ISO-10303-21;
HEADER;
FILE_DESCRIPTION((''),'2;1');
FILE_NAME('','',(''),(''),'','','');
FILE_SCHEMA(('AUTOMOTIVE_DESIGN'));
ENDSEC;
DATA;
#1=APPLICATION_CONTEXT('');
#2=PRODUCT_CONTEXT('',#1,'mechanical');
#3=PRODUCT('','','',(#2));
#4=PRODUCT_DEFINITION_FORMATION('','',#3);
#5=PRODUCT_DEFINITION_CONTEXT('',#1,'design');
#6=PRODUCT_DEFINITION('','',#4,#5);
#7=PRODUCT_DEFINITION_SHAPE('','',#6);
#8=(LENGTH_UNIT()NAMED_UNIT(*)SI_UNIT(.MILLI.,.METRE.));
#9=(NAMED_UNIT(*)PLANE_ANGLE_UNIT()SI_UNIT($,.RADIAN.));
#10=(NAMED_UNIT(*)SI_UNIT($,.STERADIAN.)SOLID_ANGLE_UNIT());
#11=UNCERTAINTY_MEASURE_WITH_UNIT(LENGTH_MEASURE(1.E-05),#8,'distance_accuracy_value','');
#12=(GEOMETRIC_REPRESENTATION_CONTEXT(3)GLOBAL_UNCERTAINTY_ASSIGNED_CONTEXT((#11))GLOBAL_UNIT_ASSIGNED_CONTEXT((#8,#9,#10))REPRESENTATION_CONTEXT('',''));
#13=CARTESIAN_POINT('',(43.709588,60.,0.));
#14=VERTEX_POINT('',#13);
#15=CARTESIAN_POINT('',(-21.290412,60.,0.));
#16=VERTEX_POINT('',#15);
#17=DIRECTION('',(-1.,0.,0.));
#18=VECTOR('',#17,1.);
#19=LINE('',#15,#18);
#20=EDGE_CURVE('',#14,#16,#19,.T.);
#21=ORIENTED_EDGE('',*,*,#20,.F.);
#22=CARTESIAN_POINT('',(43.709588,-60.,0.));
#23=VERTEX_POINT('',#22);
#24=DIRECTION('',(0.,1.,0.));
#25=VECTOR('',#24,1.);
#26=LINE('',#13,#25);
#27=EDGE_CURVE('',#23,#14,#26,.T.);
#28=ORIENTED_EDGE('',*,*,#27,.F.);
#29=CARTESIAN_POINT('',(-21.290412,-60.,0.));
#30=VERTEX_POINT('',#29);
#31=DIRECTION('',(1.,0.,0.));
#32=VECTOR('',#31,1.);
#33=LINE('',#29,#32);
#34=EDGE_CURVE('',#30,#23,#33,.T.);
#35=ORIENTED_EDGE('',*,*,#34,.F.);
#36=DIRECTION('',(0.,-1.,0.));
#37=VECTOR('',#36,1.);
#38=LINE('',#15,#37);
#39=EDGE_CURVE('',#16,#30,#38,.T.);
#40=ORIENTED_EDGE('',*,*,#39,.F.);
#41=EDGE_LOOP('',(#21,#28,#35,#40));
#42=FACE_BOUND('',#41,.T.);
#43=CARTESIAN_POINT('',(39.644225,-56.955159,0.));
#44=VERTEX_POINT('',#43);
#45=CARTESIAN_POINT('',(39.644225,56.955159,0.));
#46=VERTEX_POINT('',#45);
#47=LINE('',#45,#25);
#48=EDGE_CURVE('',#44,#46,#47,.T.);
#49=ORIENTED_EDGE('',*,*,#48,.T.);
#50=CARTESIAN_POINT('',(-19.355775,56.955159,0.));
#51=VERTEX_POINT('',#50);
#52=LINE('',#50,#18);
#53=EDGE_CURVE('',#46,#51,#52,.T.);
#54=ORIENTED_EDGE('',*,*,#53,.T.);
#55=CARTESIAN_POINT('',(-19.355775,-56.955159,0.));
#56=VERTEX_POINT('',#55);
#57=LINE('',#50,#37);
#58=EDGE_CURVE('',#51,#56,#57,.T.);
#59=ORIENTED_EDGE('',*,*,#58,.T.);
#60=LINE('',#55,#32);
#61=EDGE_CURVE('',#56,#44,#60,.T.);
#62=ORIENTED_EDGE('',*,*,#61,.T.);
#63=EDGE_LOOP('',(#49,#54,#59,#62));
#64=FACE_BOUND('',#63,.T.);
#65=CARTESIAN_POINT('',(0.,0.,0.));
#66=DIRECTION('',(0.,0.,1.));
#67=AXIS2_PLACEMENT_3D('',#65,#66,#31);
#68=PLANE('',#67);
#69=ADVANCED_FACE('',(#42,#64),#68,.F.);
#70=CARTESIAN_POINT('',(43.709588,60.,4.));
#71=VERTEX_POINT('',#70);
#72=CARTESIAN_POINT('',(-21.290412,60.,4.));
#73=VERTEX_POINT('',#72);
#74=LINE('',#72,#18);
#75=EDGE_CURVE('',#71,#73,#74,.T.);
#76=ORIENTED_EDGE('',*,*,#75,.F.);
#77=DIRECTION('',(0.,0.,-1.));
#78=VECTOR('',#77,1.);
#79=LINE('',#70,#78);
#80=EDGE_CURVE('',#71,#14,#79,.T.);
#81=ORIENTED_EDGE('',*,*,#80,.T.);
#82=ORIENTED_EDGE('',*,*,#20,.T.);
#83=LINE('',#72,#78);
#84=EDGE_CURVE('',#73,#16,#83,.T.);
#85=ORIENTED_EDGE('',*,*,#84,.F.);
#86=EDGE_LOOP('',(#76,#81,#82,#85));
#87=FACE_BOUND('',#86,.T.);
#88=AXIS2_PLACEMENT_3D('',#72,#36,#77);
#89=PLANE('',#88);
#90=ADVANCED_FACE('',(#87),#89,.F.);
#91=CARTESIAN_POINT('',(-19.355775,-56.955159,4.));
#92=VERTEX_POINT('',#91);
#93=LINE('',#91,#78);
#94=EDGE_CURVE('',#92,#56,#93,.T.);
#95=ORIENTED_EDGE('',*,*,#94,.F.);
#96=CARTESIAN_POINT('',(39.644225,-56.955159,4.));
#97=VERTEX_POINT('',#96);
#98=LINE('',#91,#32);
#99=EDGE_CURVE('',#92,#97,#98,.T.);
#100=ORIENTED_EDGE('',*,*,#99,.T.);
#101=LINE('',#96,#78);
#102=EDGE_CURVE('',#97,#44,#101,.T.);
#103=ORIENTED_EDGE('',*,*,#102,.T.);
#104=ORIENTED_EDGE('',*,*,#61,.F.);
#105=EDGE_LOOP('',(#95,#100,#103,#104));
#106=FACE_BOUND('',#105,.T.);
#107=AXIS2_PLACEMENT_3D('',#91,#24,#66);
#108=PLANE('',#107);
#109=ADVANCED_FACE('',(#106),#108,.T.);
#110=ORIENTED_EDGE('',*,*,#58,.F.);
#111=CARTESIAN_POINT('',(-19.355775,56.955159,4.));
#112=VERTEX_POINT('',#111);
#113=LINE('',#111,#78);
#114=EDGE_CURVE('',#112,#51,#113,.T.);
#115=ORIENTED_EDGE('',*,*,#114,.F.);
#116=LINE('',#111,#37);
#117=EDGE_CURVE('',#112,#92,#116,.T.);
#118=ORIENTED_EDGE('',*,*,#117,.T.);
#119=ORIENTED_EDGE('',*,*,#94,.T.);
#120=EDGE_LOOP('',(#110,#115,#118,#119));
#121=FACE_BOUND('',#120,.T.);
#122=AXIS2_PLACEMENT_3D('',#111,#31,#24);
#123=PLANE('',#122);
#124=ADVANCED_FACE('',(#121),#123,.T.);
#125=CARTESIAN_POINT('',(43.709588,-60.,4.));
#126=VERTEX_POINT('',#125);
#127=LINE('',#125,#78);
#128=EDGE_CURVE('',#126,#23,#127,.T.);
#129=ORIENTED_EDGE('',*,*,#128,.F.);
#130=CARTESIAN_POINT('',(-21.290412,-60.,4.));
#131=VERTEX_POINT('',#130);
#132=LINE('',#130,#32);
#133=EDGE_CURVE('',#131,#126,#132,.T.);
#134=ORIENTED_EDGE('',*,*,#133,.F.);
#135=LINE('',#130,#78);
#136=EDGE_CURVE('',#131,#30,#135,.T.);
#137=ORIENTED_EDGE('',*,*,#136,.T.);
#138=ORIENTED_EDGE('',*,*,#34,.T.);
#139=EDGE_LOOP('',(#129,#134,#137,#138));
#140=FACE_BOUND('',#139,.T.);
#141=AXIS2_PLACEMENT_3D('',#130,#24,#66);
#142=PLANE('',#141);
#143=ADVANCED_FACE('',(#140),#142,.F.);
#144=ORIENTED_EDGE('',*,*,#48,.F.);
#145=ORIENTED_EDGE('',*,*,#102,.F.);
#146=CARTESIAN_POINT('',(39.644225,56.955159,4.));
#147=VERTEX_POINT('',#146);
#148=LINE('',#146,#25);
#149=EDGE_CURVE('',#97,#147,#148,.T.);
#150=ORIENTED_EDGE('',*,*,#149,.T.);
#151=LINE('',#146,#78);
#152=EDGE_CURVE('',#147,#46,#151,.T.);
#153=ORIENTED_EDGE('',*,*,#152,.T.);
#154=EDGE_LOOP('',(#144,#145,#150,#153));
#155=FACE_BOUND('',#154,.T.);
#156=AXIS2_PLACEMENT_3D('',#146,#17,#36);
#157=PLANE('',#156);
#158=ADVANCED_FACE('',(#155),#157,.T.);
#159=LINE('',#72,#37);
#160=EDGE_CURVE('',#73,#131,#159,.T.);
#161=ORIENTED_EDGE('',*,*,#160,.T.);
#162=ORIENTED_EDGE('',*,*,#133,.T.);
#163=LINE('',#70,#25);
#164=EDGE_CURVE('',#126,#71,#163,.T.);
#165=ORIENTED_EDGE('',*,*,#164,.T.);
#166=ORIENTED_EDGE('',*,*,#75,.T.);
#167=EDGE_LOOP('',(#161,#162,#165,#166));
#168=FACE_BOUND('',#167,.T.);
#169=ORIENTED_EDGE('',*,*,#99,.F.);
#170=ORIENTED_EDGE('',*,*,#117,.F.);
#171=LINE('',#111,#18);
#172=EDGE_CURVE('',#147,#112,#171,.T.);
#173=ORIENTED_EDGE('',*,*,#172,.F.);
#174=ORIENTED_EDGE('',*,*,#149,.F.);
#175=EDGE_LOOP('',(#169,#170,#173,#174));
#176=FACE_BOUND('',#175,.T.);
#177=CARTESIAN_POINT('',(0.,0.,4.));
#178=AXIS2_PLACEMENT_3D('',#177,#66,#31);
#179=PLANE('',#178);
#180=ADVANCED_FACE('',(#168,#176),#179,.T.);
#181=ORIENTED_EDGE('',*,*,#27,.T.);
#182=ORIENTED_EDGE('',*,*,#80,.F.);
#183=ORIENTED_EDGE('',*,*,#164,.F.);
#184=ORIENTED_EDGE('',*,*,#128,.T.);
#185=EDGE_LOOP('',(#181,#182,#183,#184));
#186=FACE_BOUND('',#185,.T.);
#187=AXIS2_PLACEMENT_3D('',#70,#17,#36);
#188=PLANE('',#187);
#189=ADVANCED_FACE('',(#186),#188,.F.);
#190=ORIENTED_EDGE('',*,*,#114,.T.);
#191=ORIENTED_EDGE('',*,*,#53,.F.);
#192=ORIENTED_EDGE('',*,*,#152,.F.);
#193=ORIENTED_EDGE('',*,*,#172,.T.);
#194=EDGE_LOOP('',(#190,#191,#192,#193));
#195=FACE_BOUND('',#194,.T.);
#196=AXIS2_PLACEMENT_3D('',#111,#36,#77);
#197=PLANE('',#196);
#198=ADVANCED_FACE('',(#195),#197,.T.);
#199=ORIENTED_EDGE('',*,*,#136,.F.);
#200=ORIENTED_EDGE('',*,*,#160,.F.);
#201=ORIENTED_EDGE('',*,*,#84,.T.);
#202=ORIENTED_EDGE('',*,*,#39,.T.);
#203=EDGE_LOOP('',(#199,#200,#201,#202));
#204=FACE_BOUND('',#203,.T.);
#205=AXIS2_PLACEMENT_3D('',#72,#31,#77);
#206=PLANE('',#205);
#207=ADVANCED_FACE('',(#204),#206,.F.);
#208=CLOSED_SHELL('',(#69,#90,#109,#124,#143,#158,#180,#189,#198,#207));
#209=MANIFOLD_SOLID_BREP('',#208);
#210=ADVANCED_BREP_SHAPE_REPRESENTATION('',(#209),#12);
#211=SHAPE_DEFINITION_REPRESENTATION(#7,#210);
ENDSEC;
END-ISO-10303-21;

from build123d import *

# Parameters (mm, degrees)
SKETCH1_W           = 65
SKETCH1_H           = 120
SKETCH1_W_2         = 59
SKETCH1_H_2         = 113.91031769
BOSS_EXTRUDE1_DEPTH = 4


with BuildPart() as part:
    # Sketch1 → Boss-Extrude1 (new body)
    with BuildSketch(Plane.XY):
        with Locations((11.209588399, 0)):
            Rectangle(SKETCH1_W, SKETCH1_H)
        with Locations((10.144224581, 0)):
            Rectangle(SKETCH1_W_2, SKETCH1_H_2, mode=Mode.SUBTRACT)
    extrude(amount=BOSS_EXTRUDE1_DEPTH)


solid = part.part
